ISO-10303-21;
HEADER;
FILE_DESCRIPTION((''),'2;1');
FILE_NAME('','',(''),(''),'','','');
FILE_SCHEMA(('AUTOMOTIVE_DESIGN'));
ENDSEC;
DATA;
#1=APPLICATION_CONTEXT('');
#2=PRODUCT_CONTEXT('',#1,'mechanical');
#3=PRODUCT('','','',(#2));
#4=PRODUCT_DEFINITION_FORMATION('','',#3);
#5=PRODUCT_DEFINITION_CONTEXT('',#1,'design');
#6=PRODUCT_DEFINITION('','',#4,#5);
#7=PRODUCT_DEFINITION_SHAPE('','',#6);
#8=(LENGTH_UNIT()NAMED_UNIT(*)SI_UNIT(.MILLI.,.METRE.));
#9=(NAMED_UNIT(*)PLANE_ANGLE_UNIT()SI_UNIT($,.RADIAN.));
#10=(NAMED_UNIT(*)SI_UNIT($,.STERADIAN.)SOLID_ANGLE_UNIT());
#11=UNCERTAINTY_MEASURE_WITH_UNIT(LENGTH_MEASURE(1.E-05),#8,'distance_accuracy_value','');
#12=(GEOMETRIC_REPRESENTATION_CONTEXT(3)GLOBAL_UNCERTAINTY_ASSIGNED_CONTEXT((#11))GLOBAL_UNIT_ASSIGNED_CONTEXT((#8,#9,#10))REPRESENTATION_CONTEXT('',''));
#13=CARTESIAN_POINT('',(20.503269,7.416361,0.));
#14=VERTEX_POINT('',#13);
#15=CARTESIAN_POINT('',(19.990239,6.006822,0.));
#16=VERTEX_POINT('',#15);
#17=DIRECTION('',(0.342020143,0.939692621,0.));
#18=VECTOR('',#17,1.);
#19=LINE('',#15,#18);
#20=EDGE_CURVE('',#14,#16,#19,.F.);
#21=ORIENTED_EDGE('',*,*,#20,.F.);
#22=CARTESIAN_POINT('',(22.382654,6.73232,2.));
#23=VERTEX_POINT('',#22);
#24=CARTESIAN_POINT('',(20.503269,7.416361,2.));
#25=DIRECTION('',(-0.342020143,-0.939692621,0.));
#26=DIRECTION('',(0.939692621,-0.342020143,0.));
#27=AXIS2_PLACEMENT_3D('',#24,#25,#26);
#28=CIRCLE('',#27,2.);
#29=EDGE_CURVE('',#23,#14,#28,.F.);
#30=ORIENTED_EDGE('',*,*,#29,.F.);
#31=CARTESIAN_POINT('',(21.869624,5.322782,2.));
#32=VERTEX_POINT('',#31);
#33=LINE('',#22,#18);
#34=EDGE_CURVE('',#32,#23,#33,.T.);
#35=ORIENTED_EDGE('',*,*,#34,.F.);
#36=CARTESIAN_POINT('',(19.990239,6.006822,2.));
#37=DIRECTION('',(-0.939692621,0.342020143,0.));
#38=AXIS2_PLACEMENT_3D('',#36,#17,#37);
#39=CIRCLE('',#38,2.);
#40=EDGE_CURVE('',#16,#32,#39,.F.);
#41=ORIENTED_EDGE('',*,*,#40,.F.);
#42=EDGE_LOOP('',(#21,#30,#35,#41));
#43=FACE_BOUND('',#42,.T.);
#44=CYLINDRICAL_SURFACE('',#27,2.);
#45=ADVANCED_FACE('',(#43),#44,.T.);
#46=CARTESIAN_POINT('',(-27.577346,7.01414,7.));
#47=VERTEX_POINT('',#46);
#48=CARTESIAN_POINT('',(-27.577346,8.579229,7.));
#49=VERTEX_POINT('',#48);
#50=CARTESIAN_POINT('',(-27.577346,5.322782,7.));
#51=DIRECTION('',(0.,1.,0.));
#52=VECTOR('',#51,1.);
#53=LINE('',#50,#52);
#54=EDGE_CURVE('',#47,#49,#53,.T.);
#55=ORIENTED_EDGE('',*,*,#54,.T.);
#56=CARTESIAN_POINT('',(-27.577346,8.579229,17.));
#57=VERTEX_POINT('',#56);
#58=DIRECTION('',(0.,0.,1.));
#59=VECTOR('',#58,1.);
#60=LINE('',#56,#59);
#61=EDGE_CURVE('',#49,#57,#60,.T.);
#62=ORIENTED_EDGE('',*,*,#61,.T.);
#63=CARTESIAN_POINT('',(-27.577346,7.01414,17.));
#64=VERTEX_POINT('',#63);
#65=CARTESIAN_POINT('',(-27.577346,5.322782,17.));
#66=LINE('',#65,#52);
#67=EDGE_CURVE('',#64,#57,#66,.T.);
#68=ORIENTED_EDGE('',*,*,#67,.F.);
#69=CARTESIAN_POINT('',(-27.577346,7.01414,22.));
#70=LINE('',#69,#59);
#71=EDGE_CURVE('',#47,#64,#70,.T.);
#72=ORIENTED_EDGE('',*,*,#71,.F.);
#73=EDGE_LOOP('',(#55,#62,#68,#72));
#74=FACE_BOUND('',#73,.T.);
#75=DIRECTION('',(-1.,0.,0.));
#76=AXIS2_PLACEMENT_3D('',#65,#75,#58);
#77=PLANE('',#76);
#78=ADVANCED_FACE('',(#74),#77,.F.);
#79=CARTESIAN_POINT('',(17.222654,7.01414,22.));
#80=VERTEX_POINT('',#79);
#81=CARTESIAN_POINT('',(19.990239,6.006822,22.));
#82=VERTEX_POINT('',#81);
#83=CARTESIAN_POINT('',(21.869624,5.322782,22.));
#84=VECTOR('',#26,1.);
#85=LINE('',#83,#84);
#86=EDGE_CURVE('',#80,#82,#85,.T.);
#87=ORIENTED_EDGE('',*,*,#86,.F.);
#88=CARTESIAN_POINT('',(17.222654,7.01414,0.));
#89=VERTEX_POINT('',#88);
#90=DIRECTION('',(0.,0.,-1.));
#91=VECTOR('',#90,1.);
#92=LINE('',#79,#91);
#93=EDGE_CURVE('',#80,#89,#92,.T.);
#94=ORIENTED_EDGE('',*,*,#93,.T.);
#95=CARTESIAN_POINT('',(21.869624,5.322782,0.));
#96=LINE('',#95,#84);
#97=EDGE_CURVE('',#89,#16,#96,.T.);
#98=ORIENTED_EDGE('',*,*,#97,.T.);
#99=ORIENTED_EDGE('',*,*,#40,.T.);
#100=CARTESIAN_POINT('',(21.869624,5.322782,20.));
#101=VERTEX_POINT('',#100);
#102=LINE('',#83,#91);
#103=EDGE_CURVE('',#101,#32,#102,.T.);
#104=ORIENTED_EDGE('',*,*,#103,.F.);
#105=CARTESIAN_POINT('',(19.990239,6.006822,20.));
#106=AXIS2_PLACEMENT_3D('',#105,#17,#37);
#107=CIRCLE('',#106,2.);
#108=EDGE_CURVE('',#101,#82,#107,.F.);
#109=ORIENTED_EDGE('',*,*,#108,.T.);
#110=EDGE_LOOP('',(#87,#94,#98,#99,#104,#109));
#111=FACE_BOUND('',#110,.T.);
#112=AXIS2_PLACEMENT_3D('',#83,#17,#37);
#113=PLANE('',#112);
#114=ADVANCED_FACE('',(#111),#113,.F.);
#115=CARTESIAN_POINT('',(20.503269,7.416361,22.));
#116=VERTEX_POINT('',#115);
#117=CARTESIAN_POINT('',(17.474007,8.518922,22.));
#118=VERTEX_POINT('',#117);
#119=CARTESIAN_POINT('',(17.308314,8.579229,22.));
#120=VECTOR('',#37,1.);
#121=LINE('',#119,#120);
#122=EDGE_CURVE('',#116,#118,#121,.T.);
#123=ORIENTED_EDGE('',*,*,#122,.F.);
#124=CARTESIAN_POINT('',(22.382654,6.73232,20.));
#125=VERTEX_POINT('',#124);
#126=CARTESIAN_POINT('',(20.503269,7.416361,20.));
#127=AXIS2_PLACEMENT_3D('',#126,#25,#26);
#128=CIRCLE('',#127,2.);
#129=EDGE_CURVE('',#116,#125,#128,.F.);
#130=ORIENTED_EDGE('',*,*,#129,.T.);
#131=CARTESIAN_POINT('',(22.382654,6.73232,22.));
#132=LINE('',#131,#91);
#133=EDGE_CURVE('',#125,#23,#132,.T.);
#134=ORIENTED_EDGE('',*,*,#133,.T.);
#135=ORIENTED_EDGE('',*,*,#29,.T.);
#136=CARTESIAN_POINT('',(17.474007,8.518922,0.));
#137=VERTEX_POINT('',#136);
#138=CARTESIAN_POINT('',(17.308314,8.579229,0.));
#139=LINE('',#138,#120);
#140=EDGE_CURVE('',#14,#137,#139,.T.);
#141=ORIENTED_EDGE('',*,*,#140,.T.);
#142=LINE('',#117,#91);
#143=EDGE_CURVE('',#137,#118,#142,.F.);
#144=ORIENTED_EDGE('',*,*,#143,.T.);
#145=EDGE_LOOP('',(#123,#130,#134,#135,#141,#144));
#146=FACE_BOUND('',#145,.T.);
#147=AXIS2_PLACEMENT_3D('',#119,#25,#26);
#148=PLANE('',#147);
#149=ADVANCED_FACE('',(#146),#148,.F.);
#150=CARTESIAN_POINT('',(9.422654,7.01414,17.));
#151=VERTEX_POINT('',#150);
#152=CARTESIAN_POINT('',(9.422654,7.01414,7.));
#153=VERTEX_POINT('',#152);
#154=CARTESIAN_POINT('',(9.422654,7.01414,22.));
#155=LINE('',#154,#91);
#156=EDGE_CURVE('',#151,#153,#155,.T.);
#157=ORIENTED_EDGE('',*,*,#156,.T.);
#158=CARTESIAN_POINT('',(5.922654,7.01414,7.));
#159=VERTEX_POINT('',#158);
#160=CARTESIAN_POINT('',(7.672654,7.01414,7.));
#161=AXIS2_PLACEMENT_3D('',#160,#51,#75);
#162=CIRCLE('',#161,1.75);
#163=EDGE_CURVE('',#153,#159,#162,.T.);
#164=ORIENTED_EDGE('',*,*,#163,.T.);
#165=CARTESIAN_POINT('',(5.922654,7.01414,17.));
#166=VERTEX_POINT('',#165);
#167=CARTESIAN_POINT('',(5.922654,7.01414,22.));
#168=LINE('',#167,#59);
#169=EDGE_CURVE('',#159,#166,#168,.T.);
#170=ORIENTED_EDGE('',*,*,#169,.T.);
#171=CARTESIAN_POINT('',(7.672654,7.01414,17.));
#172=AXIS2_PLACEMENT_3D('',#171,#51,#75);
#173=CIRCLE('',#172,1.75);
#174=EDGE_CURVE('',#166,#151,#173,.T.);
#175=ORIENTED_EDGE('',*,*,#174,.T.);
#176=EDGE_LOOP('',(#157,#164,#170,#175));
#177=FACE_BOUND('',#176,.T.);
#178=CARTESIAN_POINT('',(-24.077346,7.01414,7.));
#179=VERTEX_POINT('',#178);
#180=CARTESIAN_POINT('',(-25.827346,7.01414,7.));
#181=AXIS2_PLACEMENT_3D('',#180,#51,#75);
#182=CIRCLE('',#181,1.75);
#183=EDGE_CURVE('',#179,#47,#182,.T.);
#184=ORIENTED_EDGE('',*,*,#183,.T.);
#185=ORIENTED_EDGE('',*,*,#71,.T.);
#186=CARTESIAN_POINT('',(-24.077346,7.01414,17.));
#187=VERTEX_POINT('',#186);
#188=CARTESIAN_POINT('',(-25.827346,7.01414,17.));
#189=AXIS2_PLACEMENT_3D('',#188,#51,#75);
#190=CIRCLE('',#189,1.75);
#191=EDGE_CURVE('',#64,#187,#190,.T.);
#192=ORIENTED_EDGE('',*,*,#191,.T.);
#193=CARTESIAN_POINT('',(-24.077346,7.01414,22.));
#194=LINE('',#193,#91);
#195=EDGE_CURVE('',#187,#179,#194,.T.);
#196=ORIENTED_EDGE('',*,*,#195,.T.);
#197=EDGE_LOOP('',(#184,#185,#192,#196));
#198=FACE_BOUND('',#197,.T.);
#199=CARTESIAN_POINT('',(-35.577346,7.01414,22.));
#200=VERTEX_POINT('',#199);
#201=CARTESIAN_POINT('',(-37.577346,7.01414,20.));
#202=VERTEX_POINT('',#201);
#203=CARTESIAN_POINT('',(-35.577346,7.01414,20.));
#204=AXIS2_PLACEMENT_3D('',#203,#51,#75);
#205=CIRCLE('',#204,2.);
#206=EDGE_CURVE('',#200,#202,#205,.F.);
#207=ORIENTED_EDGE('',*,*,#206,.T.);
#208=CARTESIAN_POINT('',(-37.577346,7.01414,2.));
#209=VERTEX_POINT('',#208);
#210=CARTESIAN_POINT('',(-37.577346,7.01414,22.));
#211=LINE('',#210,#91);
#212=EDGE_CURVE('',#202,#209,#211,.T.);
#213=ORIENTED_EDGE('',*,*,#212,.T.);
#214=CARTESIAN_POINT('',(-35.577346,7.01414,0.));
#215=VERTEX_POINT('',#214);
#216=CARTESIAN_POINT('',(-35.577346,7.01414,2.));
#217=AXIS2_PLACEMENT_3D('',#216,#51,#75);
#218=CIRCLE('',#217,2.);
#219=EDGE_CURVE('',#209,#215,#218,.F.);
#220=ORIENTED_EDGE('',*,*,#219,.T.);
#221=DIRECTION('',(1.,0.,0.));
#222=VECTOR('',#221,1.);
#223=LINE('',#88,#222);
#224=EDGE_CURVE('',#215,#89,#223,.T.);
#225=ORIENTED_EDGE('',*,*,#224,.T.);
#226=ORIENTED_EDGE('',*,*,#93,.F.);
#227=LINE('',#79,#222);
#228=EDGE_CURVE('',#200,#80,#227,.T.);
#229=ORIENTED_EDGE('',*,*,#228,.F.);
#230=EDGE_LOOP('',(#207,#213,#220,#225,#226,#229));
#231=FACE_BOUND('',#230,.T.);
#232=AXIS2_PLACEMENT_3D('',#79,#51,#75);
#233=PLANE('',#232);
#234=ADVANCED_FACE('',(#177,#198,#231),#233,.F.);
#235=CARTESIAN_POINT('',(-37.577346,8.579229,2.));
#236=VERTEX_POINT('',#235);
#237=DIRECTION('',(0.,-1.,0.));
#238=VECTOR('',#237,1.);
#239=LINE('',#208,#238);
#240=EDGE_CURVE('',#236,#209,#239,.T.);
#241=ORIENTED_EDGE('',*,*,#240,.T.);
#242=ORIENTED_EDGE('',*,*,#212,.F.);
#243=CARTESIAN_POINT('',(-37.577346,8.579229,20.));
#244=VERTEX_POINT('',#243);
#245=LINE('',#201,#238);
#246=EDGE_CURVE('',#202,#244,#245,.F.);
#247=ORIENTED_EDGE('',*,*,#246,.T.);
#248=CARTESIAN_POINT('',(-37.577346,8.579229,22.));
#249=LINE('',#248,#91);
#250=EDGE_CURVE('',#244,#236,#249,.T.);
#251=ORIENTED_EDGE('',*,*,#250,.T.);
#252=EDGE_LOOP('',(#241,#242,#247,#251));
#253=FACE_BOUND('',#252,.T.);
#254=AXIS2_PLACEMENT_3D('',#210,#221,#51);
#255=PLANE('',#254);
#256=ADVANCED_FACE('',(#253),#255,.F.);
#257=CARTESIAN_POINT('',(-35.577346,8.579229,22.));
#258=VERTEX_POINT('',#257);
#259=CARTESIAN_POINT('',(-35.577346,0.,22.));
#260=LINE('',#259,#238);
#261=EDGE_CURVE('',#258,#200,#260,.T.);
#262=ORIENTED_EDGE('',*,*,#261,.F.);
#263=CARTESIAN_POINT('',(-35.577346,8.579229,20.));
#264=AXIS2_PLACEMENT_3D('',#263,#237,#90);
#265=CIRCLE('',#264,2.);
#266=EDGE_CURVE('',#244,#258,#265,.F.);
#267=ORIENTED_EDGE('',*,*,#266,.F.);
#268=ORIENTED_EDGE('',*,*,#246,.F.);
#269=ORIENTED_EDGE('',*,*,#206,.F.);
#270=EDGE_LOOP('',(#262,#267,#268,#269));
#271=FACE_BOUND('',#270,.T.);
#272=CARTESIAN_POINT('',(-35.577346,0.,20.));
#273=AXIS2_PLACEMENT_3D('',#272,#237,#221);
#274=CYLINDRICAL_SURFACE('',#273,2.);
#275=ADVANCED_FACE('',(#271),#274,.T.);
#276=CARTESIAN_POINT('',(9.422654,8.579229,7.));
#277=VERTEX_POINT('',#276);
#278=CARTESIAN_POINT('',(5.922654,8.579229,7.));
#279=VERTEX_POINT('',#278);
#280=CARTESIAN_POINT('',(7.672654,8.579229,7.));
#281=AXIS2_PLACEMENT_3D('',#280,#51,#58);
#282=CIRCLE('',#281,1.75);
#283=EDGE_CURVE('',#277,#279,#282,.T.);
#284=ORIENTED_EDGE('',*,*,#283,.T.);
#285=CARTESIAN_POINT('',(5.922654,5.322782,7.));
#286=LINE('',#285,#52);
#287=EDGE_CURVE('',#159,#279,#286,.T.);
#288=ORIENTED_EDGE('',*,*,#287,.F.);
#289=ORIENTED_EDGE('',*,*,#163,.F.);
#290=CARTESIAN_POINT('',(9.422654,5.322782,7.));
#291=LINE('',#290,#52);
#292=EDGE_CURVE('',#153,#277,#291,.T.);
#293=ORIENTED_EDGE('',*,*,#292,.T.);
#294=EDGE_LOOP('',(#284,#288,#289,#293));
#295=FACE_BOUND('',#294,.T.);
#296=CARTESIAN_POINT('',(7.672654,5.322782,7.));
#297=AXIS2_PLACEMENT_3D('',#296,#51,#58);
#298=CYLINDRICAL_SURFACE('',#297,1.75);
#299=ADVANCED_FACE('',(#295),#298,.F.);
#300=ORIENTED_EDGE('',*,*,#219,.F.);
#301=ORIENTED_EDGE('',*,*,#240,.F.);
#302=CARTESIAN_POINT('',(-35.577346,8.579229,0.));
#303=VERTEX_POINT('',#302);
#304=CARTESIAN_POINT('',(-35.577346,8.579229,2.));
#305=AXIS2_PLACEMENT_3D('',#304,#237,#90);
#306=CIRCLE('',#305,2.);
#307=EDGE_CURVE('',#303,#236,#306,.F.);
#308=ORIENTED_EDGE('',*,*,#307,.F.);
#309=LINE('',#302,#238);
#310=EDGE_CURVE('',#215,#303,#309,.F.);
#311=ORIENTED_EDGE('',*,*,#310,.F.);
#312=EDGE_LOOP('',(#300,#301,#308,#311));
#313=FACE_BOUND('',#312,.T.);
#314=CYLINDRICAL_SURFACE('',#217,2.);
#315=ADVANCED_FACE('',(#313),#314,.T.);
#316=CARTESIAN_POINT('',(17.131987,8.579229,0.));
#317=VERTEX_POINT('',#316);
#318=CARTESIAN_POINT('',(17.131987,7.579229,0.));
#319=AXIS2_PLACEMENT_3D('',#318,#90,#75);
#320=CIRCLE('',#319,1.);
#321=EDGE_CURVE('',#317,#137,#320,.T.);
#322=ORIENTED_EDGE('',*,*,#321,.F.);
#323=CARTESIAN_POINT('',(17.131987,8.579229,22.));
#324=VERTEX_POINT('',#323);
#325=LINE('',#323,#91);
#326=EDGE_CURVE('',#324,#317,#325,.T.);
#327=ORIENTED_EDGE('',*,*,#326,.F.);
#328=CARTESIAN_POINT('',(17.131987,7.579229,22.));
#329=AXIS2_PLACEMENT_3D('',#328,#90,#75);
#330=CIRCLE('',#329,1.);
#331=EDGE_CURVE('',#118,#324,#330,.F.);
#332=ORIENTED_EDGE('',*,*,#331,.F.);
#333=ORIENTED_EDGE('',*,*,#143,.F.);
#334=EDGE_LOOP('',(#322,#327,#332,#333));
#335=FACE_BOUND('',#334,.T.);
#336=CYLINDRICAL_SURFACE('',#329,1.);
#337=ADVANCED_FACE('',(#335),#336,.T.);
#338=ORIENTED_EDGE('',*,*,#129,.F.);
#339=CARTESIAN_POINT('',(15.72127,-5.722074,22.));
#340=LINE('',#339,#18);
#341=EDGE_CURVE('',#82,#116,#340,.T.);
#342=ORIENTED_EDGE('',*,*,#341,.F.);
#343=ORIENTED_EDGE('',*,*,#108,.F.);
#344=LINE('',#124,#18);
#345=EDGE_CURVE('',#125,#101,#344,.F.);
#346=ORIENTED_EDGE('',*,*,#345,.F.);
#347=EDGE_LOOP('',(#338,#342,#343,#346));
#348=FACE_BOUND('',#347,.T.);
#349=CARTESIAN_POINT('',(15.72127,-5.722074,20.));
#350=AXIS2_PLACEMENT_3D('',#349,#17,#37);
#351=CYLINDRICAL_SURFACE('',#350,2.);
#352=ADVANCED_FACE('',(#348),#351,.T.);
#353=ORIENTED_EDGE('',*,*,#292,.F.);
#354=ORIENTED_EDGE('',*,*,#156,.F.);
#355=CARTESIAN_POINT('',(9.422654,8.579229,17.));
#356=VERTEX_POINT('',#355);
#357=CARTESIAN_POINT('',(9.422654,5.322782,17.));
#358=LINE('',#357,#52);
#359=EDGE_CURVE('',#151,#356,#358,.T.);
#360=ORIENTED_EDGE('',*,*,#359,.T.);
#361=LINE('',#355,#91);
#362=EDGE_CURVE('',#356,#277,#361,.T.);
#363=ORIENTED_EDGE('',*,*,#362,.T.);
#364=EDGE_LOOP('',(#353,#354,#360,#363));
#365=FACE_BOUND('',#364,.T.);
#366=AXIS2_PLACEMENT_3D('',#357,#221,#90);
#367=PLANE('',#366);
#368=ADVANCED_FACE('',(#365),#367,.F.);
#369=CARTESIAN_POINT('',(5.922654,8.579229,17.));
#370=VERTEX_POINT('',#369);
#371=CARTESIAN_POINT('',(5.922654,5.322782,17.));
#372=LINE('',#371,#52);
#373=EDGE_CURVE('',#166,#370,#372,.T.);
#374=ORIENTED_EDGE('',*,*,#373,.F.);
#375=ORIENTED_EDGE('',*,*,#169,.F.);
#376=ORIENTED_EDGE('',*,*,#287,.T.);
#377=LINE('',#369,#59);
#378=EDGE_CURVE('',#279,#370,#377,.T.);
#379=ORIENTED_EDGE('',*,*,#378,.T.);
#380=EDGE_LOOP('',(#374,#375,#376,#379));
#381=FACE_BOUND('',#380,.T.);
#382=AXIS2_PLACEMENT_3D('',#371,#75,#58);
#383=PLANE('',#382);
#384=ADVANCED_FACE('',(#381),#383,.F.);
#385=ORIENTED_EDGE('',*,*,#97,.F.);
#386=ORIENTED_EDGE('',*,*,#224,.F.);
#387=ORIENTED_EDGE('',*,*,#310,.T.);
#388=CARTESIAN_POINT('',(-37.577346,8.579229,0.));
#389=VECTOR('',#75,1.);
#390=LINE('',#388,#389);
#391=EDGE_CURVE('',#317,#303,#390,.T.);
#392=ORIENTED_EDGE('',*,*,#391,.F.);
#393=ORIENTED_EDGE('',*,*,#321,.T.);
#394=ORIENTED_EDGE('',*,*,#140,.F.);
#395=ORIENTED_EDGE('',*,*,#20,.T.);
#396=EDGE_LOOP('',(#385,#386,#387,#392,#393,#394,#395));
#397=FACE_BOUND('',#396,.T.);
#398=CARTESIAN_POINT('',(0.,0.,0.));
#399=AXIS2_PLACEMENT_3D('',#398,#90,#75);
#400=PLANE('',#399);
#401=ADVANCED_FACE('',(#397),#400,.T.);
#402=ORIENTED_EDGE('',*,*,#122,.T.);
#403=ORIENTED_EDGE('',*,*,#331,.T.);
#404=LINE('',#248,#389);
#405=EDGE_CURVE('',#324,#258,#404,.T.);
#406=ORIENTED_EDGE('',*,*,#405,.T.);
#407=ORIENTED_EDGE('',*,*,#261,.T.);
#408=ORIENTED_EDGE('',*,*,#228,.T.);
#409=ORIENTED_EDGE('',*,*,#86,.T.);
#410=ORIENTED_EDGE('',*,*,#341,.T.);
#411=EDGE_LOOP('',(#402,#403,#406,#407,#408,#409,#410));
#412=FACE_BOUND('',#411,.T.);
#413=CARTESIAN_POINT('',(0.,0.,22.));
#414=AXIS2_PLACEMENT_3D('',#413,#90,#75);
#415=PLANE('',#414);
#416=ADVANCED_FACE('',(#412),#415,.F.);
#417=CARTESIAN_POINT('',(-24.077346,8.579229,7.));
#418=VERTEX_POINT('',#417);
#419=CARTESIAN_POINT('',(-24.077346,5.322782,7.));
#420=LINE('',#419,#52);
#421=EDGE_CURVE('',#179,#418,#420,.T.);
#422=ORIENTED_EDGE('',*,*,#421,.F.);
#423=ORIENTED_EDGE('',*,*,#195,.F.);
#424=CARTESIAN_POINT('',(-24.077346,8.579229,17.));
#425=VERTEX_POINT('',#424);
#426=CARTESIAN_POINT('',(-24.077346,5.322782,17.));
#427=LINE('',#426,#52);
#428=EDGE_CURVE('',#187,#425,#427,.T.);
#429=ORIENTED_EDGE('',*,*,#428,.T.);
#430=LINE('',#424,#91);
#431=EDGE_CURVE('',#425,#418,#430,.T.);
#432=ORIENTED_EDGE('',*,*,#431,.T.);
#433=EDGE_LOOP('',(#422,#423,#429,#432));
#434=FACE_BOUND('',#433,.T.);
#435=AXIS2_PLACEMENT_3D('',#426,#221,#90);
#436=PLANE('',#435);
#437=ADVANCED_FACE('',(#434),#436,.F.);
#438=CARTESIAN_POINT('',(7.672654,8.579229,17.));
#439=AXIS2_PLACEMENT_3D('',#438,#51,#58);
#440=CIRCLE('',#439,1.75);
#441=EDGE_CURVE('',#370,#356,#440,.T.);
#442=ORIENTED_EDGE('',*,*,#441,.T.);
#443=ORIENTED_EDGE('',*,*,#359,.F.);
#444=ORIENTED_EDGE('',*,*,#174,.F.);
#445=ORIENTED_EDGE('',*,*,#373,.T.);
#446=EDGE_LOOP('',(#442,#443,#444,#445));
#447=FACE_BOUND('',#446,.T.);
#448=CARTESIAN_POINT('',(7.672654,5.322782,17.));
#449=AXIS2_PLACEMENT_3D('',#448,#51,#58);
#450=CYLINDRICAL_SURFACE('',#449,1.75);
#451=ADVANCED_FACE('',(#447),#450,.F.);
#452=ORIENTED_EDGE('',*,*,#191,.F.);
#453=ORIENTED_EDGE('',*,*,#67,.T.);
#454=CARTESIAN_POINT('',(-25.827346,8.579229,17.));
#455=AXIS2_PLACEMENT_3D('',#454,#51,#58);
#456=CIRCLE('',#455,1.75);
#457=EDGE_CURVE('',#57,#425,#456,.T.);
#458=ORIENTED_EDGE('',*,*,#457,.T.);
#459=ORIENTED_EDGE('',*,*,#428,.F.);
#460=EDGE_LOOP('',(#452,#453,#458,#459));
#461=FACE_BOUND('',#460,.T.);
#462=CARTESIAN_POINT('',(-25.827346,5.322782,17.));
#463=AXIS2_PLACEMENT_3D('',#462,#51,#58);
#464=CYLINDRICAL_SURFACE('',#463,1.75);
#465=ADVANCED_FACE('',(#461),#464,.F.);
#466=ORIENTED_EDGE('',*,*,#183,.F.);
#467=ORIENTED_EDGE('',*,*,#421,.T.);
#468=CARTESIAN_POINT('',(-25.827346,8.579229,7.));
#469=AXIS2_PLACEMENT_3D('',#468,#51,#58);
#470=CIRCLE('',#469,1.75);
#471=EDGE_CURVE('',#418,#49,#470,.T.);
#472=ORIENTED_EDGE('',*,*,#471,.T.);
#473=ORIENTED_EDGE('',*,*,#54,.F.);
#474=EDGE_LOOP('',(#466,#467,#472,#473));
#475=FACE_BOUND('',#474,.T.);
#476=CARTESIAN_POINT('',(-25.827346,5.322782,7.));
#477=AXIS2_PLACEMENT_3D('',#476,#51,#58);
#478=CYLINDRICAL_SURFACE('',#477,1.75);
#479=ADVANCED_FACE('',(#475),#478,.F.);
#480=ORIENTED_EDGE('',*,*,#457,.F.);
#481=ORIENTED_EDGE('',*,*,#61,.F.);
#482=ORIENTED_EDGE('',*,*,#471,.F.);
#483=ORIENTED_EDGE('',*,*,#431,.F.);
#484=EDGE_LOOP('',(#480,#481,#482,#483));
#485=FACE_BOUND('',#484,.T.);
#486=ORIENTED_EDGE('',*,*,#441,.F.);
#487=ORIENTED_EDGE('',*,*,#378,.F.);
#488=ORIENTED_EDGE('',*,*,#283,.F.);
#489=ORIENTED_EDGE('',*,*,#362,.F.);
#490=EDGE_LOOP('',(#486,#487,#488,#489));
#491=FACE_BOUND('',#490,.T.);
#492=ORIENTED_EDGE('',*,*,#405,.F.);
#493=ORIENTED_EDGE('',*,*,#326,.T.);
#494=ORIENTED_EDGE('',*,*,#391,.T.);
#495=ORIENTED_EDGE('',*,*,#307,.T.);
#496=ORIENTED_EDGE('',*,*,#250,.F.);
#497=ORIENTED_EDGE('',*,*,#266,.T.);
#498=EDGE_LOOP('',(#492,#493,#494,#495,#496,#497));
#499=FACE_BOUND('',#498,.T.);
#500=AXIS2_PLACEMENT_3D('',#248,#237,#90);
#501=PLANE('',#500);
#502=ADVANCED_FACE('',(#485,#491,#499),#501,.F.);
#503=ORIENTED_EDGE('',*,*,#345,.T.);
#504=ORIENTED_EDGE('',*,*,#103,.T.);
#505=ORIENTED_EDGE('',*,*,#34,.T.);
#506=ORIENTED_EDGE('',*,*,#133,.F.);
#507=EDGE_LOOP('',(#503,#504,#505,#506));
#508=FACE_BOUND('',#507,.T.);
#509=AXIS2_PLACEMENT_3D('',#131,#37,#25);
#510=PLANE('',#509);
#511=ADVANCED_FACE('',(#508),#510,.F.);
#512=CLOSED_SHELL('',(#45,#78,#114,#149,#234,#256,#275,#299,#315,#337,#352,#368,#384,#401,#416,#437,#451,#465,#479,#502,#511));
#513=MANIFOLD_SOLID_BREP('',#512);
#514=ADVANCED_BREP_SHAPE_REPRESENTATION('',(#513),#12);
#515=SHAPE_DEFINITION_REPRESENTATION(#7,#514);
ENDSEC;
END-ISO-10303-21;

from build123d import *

# Parameters (mm, degrees)
BOSS_EXTRUDE1_DEPTH = 22
FILLET1_R           = 1
FILLET2_R           = 2
CUT_EXTRUDE1_DEPTH  = 4.256447705


with BuildPart() as part:
    # Sketch1 → Boss-Extrude1 (new body)
    with BuildSketch(Plane.XY):
        Polygon((-37.577345781, 8.579229267), (17.308314067, 8.579229267), (22.382654219, 6.732320493), (21.869624004, 5.322781562), (17.222654219, 7.014140243), (-37.577345781, 7.014140243), align=None)
    extrude(amount=BOSS_EXTRUDE1_DEPTH)

    # Fillet1
    fillet1_edges = [part.edges().sort_by_distance(p)[0] for p in [
        (17.308314067, 8.579229267, 11),
    ]]
    fillet(fillet1_edges, radius=FILLET1_R)

    # Fillet2
    fillet2_edges = [part.edges().sort_by_distance(p)[0] for p in [
        (22.126139112, 6.027551028, 22),
        (-37.577345781, 7.796684755, 22),
        (22.126139112, 6.027551028, 0),
        (-37.577345781, 7.796684755, 0),
    ]]
    fillet(fillet2_edges, radius=FILLET2_R)

    # Sketch3 → Cut-Extrude1 (cut, through all)
    with BuildSketch(Plane(origin=(0, 8.579229267, 0), x_dir=(1, 0, 0), z_dir=(0, 1, 0))):
        with BuildLine():
            Line((-24.077345781, -17), (-24.077345781, -7))
            ThreePointArc((-24.077345781, -7), (-25.827345781, -5.25), (-27.577345781, -7))
            Line((-27.577345781, -7), (-27.577345781, -17))
            ThreePointArc((-27.577345781, -17), (-25.827345781, -18.75), (-24.077345781, -17))
        make_face()
        with BuildLine():
            Line((9.422654219, -17), (9.422654219, -7))
            ThreePointArc((9.422654219, -7), (7.672654219, -5.25), (5.922654219, -7))
            Line((5.922654219, -7), (5.922654219, -17))
            ThreePointArc((5.922654219, -17), (7.672654219, -18.75), (9.422654219, -17))
        make_face()
    extrude(amount=-CUT_EXTRUDE1_DEPTH, mode=Mode.SUBTRACT)


solid = part.part
